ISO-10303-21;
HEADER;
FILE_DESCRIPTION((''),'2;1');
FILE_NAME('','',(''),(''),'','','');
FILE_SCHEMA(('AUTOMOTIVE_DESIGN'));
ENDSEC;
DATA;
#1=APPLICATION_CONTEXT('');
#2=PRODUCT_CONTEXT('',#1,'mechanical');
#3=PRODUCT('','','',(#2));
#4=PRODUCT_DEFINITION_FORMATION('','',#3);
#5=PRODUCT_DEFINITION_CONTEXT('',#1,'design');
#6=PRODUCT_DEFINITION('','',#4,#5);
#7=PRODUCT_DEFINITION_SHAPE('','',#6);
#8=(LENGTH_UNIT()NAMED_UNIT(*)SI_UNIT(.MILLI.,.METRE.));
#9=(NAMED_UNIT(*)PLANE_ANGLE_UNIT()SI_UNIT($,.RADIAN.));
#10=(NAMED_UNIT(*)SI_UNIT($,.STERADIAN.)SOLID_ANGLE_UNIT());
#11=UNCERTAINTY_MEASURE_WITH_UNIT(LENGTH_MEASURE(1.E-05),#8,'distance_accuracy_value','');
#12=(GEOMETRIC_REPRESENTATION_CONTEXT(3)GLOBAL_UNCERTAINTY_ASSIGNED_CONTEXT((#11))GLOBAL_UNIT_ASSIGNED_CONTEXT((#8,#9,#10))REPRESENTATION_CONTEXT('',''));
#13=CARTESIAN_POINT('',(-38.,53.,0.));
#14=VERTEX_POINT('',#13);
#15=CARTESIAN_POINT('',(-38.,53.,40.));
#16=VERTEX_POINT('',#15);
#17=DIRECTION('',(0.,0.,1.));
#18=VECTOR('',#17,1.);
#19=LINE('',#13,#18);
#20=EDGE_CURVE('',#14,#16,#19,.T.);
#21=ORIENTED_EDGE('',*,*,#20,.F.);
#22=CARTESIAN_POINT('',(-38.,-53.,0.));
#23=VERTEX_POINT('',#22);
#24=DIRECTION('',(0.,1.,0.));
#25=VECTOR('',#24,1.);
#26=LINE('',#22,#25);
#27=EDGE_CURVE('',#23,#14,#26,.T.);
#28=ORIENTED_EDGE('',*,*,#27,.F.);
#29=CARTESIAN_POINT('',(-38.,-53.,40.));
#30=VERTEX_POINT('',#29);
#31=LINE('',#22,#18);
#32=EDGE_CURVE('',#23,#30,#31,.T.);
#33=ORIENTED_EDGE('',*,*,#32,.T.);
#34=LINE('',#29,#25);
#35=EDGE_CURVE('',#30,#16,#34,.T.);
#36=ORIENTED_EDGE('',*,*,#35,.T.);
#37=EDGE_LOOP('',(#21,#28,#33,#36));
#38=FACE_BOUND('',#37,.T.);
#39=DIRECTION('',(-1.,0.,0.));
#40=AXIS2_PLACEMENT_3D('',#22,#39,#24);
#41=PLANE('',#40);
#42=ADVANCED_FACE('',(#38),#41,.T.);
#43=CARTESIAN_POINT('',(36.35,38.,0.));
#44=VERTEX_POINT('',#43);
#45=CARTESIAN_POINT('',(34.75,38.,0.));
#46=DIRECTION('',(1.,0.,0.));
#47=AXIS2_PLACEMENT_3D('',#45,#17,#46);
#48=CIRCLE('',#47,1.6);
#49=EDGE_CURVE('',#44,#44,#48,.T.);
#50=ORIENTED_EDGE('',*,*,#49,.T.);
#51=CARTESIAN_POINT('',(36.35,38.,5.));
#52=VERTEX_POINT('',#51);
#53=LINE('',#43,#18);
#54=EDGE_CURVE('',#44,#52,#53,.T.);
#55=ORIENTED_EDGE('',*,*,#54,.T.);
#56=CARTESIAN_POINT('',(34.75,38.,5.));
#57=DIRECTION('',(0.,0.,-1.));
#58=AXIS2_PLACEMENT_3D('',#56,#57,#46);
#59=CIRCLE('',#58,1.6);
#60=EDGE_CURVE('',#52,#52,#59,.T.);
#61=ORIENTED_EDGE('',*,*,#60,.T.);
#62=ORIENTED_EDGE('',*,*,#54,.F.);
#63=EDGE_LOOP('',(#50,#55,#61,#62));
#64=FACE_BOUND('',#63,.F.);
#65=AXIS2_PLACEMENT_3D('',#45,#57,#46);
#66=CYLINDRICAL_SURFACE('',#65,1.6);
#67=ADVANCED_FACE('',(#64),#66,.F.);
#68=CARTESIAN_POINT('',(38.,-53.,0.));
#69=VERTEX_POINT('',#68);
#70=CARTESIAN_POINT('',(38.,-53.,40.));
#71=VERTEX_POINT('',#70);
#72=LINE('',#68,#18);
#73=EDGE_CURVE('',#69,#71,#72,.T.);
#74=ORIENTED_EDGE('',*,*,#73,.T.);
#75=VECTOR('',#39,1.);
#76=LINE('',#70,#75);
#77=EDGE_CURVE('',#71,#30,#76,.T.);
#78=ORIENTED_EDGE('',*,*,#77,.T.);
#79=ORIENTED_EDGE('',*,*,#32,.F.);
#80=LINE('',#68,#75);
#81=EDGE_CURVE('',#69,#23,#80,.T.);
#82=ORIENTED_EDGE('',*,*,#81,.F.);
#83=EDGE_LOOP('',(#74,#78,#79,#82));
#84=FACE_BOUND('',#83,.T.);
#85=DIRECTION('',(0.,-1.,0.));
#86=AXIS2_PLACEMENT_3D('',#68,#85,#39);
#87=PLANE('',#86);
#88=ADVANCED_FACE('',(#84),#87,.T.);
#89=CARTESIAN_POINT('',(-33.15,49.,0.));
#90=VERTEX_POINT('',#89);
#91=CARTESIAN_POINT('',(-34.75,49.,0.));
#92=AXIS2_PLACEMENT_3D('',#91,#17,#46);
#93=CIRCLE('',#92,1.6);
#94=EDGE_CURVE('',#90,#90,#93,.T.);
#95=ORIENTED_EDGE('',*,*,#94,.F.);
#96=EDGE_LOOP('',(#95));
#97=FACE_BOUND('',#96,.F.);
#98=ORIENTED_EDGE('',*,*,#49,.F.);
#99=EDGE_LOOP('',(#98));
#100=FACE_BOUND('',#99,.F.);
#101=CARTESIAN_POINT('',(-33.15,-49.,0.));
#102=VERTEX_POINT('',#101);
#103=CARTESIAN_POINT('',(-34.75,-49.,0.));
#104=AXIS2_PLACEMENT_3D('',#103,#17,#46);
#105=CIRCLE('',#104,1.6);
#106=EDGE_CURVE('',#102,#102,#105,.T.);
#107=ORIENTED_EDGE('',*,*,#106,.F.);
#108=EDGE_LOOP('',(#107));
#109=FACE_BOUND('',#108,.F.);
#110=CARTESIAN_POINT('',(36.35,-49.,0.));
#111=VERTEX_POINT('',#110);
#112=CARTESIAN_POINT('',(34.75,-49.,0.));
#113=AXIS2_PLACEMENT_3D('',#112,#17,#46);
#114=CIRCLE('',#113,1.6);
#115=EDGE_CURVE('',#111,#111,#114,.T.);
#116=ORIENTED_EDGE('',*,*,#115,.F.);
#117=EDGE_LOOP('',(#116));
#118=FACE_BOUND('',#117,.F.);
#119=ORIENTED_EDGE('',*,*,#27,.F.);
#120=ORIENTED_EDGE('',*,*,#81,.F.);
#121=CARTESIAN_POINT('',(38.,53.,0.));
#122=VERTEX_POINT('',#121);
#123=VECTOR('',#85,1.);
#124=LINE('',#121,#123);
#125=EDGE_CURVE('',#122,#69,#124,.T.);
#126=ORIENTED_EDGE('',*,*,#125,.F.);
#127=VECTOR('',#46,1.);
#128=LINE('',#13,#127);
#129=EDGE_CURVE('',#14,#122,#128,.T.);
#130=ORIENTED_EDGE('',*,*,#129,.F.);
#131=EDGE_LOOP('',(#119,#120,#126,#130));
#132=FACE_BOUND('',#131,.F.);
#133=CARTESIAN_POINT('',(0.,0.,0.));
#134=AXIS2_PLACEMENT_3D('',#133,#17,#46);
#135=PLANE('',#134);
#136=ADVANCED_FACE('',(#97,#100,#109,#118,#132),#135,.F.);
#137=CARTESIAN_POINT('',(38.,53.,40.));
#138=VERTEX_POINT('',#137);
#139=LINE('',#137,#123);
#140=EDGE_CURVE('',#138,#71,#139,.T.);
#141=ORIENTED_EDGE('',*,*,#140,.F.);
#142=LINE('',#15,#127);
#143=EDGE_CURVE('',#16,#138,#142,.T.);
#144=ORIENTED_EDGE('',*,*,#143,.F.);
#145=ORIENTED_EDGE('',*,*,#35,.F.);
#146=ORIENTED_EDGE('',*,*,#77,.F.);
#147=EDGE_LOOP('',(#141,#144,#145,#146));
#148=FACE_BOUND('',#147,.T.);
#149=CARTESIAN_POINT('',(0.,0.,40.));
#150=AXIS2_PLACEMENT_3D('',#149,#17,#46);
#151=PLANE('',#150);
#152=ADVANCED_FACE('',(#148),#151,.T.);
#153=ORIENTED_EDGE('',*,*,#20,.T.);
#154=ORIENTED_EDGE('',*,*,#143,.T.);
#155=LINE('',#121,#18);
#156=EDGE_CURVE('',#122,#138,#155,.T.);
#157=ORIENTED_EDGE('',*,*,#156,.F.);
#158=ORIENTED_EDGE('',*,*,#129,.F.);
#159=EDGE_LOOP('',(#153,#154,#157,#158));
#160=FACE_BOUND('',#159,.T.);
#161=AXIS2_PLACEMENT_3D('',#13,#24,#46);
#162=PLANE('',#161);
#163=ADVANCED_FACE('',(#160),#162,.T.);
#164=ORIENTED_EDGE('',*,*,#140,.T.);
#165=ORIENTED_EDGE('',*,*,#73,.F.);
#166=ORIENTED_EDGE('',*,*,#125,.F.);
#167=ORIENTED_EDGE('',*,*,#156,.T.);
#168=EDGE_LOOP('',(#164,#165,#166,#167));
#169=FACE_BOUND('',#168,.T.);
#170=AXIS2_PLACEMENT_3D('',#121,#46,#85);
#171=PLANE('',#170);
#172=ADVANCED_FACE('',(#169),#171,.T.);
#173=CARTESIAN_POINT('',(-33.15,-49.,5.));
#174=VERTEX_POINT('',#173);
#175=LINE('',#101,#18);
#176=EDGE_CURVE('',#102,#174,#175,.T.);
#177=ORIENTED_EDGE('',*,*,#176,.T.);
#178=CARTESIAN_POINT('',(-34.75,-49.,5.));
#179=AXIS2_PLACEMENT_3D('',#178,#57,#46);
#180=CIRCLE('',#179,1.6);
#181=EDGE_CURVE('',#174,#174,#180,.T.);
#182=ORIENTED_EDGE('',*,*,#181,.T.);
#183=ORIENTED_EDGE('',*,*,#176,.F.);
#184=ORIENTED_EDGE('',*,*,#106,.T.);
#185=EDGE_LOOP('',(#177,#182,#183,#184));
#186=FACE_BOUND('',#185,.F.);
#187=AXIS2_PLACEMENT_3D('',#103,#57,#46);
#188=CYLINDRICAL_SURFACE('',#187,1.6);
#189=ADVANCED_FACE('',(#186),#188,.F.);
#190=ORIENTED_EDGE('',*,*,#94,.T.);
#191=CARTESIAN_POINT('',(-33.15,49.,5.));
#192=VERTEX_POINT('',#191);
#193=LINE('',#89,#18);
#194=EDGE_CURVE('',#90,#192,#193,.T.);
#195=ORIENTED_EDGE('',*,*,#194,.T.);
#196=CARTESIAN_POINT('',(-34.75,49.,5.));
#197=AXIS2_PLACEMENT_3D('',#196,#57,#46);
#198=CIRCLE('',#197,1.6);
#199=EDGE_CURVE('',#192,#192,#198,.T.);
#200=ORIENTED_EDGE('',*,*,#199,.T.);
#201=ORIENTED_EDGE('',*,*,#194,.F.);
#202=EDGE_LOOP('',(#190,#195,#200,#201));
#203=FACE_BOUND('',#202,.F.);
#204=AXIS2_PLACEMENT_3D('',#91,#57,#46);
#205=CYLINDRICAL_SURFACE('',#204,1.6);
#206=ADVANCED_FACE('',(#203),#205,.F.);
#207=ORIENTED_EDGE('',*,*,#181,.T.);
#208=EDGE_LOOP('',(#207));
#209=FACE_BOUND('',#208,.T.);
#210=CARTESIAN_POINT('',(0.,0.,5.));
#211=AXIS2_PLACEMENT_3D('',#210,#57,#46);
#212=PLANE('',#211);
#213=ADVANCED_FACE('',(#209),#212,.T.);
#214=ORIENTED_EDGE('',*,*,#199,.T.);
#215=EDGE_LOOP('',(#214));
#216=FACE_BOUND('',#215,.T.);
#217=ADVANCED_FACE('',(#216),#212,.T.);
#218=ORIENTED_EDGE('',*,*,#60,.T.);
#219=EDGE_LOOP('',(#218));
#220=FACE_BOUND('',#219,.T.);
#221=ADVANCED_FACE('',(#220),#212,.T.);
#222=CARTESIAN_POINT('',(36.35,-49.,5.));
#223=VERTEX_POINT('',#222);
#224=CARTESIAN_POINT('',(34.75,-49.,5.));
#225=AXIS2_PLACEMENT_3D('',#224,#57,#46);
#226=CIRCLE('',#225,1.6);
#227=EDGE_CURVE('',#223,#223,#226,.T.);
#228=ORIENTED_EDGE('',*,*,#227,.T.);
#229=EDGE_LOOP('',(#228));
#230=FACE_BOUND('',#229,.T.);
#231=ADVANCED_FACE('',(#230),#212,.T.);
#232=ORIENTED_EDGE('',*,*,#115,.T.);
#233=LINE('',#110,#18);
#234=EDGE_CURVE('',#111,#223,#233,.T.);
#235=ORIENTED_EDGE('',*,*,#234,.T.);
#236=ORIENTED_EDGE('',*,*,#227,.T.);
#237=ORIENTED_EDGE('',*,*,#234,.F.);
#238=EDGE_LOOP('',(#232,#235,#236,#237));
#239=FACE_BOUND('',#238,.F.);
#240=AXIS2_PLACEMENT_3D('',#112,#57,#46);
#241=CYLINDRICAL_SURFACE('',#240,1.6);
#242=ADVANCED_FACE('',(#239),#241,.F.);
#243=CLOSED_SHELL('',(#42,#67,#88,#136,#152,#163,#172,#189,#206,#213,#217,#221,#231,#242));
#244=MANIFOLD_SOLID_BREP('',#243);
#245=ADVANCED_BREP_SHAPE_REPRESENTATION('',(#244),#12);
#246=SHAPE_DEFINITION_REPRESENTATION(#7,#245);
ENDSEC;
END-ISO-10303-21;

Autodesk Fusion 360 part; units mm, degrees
sketch "Esquisse1" plane through (0, 0, 0) normal (0, 0, 1) x (1, 0, 0)
  line L0 (38, -53) -> (-38, -53)
  line L1 (-38, -53) -> (-38, 53)
  line L2 (-38, 53) -> (38, 53)
  line L3 (38, 53) -> (38, -53)
  line L4 (38, -53) -> (-38, 53) construction
  line L5 (-38, -53) -> (38, 53) construction
  dimension "d1" = 76
  dimension "d2" = 106
extrude "Extrusion1" add sketch "Esquisse1" along normal blind 40
sketch "Esquisse2" plane through (0, 0, 0) normal (0, 0, -1) x (1, 0, 0)
  line L0 (-38, -53) -> (38, -53)
  line L1 (38, -53) -> (38, 53)
  line L2 (38, 53) -> (-38, 53)
  line L3 (-38, 53) -> (-38, -53)
  line L4 (34.75, -38) -> (-34.75, -38)
  line L5 (-34.75, -38) -> (-34.75, 49)
  line L6 (-34.75, 49) -> (34.75, 49)
  line L7 (34.75, 49) -> (34.75, -38)
  line L8 (34.75, -38) -> (-34.75, 49) construction
  line L9 (-34.75, -38) -> (34.75, 49) construction
  line L10 (-34.75, -38) -> (34.75, -38)
  line L11 (34.75, -38) -> (34.75, -49)
  line L12 (34.75, -49) -> (-34.75, -49)
  line L13 (-34.75, -49) -> (-34.75, -38)
  circle A0 centre (-34.75, 49) radius 1.6
  circle A1 centre (34.75, 49) radius 1.6
  circle A2 centre (-34.75, -49) radius 1.6
  circle A3 centre (34.75, -38) radius 1.6
  point P0 (0, 5.5)
  dimension "d5" = 69.5
  dimension "d6" = 87
  dimension "d7" = 11
  dimension "d8" = 69.5
  dimension "d9" = 4
  dimension "d10" = 3.25
  dimension "d11" = 3.2
  dimension "d12" = 3.2
  dimension "d13" = 3.2
  dimension "d14" = 3.2
extrude "Extrusion2" cut sketch "Esquisse2" against normal blind 5 contours L4 L10 L11 A3 | L4 L7 L10 A3 | L7 L11 A3 | L6 L7 A1 | L6 L7 A1 | L5 L6 A0 | L5 L6 A0 | L12 L13 A2 | L12 L13 A2
equation "d7 = 98 mm - 87 mm"
equation "d8 = d5"
equation "d9 = ( ( 106 - 98 ) / 2 ) * 1 mm"
equation "d10 = ( ( 76 - 69.5 ) / 2 ) * 1 mm"
